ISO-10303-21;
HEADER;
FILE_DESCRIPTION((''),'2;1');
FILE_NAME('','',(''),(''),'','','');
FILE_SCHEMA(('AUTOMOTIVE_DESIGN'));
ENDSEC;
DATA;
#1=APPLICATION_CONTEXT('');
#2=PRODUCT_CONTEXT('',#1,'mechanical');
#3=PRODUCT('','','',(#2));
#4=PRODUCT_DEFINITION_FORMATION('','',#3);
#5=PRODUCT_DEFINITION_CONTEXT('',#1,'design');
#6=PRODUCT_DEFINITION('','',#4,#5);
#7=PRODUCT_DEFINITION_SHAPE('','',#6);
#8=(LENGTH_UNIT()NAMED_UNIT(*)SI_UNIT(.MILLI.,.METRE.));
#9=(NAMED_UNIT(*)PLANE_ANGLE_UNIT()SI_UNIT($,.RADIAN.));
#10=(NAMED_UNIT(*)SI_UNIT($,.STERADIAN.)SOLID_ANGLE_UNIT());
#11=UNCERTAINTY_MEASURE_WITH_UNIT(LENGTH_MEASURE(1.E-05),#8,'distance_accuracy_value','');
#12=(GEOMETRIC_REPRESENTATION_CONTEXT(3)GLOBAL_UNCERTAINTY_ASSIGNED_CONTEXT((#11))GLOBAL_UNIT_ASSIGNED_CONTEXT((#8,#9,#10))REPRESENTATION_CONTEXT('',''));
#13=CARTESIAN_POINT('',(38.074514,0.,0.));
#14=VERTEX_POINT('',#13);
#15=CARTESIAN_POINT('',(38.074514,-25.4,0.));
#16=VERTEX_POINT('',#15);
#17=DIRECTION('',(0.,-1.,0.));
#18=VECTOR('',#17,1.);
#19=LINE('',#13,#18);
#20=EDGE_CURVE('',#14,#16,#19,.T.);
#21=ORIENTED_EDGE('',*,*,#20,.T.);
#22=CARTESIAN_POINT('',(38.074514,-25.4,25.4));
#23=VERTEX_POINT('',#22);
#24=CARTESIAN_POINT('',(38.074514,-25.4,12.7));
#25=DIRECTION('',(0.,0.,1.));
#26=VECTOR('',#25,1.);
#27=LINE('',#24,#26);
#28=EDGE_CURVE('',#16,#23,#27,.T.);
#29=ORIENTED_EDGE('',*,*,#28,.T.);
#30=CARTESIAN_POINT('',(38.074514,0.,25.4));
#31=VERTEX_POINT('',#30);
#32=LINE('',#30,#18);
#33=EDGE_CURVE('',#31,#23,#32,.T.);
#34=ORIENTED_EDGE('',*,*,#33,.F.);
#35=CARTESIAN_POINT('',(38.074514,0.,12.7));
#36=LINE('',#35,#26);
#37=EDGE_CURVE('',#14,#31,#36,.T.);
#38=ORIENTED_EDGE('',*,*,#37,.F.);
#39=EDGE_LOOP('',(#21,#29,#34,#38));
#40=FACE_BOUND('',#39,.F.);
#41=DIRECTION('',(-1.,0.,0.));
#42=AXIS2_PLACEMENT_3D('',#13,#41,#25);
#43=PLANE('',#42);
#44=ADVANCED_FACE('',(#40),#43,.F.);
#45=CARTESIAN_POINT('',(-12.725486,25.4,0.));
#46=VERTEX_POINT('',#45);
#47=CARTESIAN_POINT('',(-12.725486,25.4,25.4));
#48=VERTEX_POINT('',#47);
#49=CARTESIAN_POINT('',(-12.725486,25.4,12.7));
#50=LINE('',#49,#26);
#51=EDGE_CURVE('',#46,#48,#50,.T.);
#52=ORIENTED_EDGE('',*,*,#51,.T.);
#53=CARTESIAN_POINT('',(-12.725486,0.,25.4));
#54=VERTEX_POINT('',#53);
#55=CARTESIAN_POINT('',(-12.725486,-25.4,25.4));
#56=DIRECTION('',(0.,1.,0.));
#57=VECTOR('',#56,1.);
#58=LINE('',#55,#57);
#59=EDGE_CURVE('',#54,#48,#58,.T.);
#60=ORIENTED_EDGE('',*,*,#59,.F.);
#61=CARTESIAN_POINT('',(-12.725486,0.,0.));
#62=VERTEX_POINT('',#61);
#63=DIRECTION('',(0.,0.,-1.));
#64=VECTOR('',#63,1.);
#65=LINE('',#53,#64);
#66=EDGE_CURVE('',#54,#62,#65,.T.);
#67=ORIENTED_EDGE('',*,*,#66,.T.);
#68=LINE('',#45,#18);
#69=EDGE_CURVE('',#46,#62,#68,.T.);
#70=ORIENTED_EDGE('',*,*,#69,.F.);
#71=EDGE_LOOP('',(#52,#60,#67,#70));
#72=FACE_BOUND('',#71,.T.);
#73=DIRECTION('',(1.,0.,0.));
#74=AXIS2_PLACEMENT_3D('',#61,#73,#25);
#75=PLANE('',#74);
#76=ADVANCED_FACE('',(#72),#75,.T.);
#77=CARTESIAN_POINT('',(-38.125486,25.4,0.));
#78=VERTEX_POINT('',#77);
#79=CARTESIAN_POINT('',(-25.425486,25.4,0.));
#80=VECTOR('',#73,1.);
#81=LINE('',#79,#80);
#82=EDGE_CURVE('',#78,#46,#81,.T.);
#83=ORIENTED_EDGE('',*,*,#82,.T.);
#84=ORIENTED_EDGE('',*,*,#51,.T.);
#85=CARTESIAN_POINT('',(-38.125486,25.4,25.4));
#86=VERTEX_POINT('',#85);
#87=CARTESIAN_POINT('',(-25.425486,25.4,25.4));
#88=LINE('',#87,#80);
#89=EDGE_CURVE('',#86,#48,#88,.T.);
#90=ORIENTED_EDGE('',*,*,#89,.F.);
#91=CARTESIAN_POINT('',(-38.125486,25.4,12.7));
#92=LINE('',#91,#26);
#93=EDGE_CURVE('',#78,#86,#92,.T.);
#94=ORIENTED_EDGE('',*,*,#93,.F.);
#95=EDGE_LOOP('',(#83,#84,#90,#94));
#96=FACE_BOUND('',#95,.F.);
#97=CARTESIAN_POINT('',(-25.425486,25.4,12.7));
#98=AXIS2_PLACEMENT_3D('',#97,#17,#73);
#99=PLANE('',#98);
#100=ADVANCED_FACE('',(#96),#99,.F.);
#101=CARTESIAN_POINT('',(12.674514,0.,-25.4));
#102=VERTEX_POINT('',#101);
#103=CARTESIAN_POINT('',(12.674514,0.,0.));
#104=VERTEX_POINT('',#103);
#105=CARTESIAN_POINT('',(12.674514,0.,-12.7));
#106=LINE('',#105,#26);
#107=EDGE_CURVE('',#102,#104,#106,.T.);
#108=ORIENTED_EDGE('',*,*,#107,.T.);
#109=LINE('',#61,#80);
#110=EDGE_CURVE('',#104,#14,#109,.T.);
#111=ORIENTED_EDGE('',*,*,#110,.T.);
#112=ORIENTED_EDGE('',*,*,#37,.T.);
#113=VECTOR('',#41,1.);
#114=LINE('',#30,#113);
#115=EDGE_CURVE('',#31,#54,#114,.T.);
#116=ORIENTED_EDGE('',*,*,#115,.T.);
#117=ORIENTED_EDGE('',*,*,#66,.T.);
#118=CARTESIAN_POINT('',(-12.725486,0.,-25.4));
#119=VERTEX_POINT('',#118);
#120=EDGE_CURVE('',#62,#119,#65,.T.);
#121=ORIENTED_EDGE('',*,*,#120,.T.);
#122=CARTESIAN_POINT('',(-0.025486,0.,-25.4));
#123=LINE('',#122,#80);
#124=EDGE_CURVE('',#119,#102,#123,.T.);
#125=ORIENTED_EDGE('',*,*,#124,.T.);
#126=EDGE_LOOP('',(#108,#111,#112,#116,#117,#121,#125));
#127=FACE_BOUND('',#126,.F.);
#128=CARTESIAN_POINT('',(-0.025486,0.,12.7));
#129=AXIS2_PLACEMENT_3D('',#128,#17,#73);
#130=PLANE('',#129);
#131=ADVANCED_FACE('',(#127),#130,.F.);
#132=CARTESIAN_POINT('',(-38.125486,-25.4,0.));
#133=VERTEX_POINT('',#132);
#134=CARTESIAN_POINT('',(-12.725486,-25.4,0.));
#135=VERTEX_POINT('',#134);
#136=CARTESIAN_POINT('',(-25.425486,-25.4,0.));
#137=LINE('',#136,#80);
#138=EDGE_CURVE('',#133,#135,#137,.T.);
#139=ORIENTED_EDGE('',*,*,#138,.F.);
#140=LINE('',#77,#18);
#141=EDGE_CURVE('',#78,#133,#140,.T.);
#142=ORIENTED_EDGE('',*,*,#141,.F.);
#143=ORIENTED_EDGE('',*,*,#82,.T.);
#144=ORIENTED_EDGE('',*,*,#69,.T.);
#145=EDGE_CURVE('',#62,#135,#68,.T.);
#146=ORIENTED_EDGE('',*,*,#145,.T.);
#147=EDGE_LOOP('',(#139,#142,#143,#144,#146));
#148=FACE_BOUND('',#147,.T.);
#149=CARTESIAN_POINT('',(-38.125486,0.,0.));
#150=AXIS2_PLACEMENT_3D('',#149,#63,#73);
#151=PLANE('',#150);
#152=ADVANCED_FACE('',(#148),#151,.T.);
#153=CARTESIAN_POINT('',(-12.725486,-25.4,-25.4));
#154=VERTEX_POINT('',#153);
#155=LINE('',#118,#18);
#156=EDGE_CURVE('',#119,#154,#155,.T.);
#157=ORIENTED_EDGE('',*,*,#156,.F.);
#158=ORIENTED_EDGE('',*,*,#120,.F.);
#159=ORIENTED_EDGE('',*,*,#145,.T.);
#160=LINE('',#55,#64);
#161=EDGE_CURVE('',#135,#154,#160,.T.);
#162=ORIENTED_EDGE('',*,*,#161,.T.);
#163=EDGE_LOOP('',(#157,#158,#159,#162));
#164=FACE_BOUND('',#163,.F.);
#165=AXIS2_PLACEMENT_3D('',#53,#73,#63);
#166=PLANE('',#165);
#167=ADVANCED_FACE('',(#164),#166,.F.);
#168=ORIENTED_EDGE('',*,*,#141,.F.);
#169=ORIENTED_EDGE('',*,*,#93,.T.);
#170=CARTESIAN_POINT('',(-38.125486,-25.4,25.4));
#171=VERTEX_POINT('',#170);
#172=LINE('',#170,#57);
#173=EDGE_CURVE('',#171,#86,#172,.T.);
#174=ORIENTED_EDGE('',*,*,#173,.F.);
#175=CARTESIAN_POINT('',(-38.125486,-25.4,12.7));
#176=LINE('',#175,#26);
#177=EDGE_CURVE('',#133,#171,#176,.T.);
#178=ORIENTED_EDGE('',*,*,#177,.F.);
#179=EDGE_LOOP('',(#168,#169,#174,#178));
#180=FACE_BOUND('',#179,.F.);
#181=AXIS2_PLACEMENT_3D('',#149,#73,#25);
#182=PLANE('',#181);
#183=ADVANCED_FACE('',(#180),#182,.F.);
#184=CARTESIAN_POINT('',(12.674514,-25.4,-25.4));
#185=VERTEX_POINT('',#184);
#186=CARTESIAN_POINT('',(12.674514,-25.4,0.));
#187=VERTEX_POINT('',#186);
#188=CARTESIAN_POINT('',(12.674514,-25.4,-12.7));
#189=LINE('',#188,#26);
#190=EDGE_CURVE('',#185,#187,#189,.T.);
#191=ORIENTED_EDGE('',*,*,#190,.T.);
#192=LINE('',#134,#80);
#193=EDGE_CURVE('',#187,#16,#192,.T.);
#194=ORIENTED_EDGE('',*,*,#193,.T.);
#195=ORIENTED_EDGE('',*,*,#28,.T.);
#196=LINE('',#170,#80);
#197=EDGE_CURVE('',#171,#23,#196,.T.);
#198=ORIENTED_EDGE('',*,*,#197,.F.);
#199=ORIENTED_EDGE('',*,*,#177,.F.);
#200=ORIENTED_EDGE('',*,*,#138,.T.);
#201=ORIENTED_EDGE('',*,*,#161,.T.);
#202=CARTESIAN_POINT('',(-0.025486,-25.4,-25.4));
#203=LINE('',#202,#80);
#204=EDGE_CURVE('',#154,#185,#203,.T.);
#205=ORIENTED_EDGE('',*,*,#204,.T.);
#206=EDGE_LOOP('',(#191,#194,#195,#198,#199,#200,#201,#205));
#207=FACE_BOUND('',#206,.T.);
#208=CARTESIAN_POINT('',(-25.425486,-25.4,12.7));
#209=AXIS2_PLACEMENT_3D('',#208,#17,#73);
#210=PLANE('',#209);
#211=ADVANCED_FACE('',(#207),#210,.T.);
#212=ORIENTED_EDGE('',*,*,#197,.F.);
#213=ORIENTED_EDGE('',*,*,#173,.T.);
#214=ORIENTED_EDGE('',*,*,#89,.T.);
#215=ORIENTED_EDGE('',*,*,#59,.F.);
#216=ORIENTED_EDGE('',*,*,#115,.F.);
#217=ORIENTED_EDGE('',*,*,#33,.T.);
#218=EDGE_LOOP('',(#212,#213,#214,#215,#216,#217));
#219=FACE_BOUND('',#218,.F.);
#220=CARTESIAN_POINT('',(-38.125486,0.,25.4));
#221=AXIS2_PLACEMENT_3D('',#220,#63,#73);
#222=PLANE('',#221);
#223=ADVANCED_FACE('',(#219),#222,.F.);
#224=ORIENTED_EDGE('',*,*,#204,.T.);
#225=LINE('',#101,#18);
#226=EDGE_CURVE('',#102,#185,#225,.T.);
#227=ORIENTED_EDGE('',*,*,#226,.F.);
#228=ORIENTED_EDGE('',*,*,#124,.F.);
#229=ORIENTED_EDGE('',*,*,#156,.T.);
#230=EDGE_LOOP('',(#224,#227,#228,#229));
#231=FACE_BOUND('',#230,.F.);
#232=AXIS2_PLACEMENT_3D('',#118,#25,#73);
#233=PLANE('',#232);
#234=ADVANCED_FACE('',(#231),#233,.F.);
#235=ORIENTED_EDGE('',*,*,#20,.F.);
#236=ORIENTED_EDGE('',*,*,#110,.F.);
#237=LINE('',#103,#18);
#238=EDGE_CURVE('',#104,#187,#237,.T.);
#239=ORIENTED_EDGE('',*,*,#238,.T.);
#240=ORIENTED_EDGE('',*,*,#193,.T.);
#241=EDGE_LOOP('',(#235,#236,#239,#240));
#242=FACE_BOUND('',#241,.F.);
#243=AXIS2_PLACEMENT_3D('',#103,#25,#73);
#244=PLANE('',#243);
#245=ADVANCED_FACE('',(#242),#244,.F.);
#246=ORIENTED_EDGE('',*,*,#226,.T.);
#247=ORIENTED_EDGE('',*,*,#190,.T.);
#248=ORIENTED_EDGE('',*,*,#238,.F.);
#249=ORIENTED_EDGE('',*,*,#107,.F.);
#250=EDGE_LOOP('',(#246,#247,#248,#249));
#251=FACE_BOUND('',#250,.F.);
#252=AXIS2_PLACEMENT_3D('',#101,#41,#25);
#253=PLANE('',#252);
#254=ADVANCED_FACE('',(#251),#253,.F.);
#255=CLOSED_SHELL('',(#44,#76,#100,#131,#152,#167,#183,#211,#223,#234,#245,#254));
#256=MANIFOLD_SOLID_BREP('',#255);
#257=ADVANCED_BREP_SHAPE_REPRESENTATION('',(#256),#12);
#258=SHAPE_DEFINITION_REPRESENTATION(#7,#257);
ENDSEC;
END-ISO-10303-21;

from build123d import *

# Parameters (mm, degrees)
F0_W     = 25.4
F0_H     = 25.4
F1_DEPTH = 25.4
F2_DEPTH = 25.4


with BuildPart() as f1:
    # F0 (on Front) → F1 (new body)
    with BuildSketch(Plane.XZ):
        with Locations((-0.025486, 12.7)):
            Rectangle(F0_W, F0_H)
        with Locations((25.374514, 12.7)):
            Rectangle(F0_W, F0_H)
        with Locations((-0.025486, -12.7)):
            Rectangle(F0_W, F0_H)
    extrude(amount=F1_DEPTH)

    # F0 (on Front) → F2 (join, symmetric)
    with BuildSketch(Plane.XZ):
        with Locations((-25.425486, 12.7)):
            Rectangle(F0_W, F0_H)
    extrude(amount=F2_DEPTH, both=True)


solid = f1.part
